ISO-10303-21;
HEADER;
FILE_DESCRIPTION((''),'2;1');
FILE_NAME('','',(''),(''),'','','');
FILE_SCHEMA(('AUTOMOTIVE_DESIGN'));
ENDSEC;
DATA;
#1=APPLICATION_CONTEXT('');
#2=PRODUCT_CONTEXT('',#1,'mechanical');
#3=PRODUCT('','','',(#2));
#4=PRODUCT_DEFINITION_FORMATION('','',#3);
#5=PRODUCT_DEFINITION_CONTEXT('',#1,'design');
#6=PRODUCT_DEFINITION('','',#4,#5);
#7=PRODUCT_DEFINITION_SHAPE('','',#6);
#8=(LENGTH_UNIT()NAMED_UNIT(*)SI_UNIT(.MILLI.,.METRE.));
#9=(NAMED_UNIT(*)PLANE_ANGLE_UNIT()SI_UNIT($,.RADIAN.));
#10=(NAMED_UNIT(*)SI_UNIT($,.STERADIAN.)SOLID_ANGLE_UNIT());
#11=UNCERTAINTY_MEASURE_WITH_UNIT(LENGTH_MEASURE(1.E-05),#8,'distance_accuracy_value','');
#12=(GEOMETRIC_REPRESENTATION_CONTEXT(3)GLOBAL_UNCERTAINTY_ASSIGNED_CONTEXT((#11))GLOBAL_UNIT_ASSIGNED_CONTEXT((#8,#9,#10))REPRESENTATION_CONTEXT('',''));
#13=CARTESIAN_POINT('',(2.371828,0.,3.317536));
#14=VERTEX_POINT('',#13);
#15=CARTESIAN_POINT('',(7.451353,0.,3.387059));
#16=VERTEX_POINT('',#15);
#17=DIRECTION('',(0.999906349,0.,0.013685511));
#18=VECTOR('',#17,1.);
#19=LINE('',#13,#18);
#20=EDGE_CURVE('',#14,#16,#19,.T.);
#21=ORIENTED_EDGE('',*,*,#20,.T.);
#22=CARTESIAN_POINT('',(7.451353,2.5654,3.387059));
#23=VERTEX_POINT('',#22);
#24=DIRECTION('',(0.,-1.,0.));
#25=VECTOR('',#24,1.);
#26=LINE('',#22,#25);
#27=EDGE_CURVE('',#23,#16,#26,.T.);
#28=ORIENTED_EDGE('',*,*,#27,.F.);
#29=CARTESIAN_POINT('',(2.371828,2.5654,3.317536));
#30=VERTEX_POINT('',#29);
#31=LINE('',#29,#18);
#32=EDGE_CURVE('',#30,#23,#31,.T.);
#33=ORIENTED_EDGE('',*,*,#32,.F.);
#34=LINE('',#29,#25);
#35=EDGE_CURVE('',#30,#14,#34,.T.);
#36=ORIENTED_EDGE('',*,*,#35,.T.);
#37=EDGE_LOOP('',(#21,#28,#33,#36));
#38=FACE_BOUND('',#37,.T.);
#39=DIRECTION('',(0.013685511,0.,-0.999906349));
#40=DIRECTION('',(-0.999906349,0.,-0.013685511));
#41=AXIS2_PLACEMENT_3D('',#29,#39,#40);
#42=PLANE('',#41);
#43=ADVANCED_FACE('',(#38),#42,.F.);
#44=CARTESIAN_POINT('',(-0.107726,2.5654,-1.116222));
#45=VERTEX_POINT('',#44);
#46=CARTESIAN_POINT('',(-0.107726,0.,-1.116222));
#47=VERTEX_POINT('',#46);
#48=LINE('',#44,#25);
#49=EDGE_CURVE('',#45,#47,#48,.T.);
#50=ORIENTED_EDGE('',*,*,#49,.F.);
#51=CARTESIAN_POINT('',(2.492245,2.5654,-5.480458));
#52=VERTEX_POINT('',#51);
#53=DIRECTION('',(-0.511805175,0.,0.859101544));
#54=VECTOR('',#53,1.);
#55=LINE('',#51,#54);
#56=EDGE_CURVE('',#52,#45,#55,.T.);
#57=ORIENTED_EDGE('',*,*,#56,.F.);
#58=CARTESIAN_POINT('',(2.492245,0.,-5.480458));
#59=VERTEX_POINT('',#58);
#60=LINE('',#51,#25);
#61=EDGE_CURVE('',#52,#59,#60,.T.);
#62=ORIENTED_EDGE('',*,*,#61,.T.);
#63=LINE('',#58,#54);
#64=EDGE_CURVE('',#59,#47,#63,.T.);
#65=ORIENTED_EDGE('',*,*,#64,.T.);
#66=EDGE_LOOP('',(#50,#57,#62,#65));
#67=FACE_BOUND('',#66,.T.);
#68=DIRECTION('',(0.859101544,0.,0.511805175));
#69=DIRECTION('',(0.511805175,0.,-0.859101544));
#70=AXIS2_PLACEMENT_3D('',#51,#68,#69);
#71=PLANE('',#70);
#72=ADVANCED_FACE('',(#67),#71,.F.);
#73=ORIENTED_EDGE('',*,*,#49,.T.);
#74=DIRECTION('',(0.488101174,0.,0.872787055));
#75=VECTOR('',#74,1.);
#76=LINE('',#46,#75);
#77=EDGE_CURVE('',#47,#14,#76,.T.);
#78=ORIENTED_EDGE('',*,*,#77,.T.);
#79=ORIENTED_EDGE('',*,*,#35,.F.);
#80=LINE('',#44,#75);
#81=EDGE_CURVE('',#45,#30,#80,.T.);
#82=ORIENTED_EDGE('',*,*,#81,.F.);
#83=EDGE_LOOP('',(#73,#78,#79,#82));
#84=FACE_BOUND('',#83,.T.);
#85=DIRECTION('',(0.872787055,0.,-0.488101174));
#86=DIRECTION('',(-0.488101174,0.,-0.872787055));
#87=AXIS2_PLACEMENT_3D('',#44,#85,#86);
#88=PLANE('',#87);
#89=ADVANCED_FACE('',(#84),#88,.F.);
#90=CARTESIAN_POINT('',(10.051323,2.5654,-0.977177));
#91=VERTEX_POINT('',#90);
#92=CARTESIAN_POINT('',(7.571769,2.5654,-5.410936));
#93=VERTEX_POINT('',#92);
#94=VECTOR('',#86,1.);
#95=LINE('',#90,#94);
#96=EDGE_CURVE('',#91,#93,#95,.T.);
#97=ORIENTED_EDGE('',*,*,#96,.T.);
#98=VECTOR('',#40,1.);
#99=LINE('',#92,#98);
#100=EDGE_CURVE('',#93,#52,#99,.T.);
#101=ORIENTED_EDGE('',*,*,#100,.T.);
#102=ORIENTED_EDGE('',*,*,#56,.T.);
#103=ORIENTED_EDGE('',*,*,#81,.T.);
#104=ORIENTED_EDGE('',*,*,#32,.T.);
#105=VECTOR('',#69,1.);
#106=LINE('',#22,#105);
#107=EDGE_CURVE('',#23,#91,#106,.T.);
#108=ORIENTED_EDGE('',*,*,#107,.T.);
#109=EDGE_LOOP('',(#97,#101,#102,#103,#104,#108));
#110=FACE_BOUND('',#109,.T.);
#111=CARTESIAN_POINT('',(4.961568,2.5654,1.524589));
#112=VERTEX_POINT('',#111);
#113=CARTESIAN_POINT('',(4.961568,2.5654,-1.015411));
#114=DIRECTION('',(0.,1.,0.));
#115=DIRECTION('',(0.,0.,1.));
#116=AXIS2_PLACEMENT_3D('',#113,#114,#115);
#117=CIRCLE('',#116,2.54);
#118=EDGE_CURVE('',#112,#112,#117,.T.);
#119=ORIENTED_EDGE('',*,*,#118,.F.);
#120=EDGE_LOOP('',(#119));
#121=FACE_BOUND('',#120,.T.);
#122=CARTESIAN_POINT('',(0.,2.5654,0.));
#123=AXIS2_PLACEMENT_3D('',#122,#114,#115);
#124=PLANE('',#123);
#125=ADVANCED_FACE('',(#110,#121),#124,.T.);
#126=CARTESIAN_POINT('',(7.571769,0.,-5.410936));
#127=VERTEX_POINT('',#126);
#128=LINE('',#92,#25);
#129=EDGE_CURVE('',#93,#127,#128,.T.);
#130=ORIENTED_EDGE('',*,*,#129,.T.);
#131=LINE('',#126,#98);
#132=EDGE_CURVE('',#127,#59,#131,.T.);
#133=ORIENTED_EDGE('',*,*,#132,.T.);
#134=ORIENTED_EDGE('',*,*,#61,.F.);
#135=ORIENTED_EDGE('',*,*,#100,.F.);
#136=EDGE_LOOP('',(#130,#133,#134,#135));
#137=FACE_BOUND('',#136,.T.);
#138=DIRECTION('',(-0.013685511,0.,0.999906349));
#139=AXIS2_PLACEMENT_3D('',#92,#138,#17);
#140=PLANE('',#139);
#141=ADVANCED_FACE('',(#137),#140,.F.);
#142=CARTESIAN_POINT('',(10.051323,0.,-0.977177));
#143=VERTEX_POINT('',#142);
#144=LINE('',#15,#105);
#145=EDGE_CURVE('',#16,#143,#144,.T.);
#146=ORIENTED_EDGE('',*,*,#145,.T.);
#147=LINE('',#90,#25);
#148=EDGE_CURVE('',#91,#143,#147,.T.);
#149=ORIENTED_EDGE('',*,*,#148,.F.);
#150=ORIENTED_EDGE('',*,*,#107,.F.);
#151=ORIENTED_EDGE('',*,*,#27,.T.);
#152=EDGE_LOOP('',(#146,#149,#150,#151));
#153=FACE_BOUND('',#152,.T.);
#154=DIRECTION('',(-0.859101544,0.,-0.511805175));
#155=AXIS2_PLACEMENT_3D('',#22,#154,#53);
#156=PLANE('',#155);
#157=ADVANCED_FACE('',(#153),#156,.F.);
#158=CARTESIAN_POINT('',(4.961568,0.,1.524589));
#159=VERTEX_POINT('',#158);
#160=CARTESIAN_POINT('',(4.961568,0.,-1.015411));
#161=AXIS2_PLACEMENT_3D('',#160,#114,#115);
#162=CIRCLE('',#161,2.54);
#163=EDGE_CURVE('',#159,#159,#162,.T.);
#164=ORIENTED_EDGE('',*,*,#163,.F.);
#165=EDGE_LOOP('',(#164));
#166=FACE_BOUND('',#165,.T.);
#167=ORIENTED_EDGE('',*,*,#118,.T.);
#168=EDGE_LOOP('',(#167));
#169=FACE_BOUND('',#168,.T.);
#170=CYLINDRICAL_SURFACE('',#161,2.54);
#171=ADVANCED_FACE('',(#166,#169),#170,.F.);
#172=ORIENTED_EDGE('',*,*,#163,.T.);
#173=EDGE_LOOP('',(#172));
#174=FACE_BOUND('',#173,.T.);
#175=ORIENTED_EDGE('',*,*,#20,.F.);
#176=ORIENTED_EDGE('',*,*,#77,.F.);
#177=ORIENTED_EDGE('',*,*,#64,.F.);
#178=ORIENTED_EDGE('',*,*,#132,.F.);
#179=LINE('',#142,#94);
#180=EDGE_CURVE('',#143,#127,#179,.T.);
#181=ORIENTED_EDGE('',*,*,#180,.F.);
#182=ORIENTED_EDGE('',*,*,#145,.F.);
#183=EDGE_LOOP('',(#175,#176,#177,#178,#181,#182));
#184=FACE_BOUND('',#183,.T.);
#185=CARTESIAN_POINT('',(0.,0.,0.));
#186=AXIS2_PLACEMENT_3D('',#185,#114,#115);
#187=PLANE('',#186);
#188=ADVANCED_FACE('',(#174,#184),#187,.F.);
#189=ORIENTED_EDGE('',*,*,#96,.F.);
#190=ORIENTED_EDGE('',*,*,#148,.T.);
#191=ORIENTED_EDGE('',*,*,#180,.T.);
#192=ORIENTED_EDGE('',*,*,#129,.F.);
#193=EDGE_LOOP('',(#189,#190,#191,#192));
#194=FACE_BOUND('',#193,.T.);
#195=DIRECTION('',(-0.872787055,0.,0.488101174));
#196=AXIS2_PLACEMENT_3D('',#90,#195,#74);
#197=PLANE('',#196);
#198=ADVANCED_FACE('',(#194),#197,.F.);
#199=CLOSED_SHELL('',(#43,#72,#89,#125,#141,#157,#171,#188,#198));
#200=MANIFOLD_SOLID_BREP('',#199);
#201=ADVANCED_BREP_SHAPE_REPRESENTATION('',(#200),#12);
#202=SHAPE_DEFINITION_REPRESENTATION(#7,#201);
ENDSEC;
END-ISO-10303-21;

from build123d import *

# Parameters (mm, degrees)
BOSS_EXTRUDE1_DEPTH = 2.5654
SKETCH3_R           = 2.54
CUT_EXTRUDE1_DEPTH  = 12.732254183


with BuildPart() as part:
    # Sketch1 → Boss-Extrude1 (new body)
    with BuildSketch(Plane(origin=(0, 0, 0), x_dir=(1, 0, 0), z_dir=(0, 1, 0))):
        Polygon((7.571768909, 5.410935572), (2.492244656, 5.48045797), (-0.107725633, 1.116222127), (2.37182833, -3.317536114), (7.451352583, -3.387058513), (10.051322872, 0.97717733), align=None)
    extrude(amount=BOSS_EXTRUDE1_DEPTH)

    # Sketch3 → Cut-Extrude1 (cut, through all)
    with BuildSketch(Plane(origin=(0, 2.5654, 0), x_dir=(1, 0, 0), z_dir=(0, 1, 0))):
        with Locations(Location((4.961568222, 1.015411397, 0), (0, 0, 270))):
            Circle(SKETCH3_R)
    extrude(amount=-CUT_EXTRUDE1_DEPTH, mode=Mode.SUBTRACT)


solid = part.part
